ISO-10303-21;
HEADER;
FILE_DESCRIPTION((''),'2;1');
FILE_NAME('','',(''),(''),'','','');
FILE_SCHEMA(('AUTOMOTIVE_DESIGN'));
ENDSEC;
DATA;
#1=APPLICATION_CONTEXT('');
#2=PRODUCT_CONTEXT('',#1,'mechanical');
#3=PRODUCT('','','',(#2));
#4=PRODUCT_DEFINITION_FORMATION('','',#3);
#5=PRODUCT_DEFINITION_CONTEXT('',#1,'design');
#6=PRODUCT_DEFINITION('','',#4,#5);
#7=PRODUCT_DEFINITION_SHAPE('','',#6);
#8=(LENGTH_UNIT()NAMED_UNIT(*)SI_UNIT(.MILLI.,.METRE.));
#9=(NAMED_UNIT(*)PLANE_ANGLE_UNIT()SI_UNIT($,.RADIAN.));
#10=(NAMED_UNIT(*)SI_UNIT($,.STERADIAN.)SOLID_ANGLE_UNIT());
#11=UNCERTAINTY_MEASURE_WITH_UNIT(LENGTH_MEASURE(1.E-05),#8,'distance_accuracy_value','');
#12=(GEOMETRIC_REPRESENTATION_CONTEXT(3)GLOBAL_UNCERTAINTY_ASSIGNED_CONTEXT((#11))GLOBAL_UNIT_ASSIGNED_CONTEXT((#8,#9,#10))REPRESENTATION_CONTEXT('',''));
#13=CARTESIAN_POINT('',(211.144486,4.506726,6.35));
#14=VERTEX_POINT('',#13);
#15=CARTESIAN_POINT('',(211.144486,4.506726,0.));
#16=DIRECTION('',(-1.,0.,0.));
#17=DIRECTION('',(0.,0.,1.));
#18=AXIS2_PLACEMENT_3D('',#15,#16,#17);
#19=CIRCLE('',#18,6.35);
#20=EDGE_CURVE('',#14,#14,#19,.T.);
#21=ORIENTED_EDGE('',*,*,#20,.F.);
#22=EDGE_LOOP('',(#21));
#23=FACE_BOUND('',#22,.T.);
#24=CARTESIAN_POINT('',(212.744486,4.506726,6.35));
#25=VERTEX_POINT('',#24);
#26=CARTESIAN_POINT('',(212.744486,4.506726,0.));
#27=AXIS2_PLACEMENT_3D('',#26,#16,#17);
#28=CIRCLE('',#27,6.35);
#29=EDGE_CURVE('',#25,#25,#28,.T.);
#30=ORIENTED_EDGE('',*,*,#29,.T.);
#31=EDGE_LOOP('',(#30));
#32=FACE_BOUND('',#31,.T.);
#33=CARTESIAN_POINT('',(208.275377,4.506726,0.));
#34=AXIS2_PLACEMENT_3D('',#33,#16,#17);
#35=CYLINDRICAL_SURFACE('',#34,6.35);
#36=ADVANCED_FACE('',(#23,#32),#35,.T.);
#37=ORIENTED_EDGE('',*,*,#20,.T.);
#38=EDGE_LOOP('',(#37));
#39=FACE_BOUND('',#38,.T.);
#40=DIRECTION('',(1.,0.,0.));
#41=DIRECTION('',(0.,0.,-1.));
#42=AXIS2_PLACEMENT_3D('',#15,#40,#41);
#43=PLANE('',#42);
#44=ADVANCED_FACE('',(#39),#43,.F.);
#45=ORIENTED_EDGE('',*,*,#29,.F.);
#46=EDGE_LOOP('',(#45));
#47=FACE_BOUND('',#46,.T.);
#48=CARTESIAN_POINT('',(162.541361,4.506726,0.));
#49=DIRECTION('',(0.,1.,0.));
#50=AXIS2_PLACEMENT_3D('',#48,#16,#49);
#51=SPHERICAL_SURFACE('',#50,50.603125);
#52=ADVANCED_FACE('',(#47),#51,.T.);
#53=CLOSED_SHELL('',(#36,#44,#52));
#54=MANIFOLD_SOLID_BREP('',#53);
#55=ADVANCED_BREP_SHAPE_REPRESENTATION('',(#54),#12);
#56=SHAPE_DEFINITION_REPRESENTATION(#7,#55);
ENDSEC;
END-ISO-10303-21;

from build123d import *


with BuildPart() as part:
    # 草图1 → 旋转1 (revolve)
    with BuildSketch(Plane.XY):
        with BuildLine():
            Line((211.144485706, 4.506726094), (211.144485706, 10.856726094))
            Line((211.144485706, 10.856726094), (212.744485706, 10.856726094))
            ThreePointArc((212.744485706, 10.856726094), (213.044386702, 7.68801907), (213.144485706, 4.506726094))
            Line((213.144485706, 4.506726094), (211.144485706, 4.506726094))
        make_face()
    revolve(axis=Axis((208.275376688, 4.506726094, 0), (1, 0, 0)))


solid = part.part
